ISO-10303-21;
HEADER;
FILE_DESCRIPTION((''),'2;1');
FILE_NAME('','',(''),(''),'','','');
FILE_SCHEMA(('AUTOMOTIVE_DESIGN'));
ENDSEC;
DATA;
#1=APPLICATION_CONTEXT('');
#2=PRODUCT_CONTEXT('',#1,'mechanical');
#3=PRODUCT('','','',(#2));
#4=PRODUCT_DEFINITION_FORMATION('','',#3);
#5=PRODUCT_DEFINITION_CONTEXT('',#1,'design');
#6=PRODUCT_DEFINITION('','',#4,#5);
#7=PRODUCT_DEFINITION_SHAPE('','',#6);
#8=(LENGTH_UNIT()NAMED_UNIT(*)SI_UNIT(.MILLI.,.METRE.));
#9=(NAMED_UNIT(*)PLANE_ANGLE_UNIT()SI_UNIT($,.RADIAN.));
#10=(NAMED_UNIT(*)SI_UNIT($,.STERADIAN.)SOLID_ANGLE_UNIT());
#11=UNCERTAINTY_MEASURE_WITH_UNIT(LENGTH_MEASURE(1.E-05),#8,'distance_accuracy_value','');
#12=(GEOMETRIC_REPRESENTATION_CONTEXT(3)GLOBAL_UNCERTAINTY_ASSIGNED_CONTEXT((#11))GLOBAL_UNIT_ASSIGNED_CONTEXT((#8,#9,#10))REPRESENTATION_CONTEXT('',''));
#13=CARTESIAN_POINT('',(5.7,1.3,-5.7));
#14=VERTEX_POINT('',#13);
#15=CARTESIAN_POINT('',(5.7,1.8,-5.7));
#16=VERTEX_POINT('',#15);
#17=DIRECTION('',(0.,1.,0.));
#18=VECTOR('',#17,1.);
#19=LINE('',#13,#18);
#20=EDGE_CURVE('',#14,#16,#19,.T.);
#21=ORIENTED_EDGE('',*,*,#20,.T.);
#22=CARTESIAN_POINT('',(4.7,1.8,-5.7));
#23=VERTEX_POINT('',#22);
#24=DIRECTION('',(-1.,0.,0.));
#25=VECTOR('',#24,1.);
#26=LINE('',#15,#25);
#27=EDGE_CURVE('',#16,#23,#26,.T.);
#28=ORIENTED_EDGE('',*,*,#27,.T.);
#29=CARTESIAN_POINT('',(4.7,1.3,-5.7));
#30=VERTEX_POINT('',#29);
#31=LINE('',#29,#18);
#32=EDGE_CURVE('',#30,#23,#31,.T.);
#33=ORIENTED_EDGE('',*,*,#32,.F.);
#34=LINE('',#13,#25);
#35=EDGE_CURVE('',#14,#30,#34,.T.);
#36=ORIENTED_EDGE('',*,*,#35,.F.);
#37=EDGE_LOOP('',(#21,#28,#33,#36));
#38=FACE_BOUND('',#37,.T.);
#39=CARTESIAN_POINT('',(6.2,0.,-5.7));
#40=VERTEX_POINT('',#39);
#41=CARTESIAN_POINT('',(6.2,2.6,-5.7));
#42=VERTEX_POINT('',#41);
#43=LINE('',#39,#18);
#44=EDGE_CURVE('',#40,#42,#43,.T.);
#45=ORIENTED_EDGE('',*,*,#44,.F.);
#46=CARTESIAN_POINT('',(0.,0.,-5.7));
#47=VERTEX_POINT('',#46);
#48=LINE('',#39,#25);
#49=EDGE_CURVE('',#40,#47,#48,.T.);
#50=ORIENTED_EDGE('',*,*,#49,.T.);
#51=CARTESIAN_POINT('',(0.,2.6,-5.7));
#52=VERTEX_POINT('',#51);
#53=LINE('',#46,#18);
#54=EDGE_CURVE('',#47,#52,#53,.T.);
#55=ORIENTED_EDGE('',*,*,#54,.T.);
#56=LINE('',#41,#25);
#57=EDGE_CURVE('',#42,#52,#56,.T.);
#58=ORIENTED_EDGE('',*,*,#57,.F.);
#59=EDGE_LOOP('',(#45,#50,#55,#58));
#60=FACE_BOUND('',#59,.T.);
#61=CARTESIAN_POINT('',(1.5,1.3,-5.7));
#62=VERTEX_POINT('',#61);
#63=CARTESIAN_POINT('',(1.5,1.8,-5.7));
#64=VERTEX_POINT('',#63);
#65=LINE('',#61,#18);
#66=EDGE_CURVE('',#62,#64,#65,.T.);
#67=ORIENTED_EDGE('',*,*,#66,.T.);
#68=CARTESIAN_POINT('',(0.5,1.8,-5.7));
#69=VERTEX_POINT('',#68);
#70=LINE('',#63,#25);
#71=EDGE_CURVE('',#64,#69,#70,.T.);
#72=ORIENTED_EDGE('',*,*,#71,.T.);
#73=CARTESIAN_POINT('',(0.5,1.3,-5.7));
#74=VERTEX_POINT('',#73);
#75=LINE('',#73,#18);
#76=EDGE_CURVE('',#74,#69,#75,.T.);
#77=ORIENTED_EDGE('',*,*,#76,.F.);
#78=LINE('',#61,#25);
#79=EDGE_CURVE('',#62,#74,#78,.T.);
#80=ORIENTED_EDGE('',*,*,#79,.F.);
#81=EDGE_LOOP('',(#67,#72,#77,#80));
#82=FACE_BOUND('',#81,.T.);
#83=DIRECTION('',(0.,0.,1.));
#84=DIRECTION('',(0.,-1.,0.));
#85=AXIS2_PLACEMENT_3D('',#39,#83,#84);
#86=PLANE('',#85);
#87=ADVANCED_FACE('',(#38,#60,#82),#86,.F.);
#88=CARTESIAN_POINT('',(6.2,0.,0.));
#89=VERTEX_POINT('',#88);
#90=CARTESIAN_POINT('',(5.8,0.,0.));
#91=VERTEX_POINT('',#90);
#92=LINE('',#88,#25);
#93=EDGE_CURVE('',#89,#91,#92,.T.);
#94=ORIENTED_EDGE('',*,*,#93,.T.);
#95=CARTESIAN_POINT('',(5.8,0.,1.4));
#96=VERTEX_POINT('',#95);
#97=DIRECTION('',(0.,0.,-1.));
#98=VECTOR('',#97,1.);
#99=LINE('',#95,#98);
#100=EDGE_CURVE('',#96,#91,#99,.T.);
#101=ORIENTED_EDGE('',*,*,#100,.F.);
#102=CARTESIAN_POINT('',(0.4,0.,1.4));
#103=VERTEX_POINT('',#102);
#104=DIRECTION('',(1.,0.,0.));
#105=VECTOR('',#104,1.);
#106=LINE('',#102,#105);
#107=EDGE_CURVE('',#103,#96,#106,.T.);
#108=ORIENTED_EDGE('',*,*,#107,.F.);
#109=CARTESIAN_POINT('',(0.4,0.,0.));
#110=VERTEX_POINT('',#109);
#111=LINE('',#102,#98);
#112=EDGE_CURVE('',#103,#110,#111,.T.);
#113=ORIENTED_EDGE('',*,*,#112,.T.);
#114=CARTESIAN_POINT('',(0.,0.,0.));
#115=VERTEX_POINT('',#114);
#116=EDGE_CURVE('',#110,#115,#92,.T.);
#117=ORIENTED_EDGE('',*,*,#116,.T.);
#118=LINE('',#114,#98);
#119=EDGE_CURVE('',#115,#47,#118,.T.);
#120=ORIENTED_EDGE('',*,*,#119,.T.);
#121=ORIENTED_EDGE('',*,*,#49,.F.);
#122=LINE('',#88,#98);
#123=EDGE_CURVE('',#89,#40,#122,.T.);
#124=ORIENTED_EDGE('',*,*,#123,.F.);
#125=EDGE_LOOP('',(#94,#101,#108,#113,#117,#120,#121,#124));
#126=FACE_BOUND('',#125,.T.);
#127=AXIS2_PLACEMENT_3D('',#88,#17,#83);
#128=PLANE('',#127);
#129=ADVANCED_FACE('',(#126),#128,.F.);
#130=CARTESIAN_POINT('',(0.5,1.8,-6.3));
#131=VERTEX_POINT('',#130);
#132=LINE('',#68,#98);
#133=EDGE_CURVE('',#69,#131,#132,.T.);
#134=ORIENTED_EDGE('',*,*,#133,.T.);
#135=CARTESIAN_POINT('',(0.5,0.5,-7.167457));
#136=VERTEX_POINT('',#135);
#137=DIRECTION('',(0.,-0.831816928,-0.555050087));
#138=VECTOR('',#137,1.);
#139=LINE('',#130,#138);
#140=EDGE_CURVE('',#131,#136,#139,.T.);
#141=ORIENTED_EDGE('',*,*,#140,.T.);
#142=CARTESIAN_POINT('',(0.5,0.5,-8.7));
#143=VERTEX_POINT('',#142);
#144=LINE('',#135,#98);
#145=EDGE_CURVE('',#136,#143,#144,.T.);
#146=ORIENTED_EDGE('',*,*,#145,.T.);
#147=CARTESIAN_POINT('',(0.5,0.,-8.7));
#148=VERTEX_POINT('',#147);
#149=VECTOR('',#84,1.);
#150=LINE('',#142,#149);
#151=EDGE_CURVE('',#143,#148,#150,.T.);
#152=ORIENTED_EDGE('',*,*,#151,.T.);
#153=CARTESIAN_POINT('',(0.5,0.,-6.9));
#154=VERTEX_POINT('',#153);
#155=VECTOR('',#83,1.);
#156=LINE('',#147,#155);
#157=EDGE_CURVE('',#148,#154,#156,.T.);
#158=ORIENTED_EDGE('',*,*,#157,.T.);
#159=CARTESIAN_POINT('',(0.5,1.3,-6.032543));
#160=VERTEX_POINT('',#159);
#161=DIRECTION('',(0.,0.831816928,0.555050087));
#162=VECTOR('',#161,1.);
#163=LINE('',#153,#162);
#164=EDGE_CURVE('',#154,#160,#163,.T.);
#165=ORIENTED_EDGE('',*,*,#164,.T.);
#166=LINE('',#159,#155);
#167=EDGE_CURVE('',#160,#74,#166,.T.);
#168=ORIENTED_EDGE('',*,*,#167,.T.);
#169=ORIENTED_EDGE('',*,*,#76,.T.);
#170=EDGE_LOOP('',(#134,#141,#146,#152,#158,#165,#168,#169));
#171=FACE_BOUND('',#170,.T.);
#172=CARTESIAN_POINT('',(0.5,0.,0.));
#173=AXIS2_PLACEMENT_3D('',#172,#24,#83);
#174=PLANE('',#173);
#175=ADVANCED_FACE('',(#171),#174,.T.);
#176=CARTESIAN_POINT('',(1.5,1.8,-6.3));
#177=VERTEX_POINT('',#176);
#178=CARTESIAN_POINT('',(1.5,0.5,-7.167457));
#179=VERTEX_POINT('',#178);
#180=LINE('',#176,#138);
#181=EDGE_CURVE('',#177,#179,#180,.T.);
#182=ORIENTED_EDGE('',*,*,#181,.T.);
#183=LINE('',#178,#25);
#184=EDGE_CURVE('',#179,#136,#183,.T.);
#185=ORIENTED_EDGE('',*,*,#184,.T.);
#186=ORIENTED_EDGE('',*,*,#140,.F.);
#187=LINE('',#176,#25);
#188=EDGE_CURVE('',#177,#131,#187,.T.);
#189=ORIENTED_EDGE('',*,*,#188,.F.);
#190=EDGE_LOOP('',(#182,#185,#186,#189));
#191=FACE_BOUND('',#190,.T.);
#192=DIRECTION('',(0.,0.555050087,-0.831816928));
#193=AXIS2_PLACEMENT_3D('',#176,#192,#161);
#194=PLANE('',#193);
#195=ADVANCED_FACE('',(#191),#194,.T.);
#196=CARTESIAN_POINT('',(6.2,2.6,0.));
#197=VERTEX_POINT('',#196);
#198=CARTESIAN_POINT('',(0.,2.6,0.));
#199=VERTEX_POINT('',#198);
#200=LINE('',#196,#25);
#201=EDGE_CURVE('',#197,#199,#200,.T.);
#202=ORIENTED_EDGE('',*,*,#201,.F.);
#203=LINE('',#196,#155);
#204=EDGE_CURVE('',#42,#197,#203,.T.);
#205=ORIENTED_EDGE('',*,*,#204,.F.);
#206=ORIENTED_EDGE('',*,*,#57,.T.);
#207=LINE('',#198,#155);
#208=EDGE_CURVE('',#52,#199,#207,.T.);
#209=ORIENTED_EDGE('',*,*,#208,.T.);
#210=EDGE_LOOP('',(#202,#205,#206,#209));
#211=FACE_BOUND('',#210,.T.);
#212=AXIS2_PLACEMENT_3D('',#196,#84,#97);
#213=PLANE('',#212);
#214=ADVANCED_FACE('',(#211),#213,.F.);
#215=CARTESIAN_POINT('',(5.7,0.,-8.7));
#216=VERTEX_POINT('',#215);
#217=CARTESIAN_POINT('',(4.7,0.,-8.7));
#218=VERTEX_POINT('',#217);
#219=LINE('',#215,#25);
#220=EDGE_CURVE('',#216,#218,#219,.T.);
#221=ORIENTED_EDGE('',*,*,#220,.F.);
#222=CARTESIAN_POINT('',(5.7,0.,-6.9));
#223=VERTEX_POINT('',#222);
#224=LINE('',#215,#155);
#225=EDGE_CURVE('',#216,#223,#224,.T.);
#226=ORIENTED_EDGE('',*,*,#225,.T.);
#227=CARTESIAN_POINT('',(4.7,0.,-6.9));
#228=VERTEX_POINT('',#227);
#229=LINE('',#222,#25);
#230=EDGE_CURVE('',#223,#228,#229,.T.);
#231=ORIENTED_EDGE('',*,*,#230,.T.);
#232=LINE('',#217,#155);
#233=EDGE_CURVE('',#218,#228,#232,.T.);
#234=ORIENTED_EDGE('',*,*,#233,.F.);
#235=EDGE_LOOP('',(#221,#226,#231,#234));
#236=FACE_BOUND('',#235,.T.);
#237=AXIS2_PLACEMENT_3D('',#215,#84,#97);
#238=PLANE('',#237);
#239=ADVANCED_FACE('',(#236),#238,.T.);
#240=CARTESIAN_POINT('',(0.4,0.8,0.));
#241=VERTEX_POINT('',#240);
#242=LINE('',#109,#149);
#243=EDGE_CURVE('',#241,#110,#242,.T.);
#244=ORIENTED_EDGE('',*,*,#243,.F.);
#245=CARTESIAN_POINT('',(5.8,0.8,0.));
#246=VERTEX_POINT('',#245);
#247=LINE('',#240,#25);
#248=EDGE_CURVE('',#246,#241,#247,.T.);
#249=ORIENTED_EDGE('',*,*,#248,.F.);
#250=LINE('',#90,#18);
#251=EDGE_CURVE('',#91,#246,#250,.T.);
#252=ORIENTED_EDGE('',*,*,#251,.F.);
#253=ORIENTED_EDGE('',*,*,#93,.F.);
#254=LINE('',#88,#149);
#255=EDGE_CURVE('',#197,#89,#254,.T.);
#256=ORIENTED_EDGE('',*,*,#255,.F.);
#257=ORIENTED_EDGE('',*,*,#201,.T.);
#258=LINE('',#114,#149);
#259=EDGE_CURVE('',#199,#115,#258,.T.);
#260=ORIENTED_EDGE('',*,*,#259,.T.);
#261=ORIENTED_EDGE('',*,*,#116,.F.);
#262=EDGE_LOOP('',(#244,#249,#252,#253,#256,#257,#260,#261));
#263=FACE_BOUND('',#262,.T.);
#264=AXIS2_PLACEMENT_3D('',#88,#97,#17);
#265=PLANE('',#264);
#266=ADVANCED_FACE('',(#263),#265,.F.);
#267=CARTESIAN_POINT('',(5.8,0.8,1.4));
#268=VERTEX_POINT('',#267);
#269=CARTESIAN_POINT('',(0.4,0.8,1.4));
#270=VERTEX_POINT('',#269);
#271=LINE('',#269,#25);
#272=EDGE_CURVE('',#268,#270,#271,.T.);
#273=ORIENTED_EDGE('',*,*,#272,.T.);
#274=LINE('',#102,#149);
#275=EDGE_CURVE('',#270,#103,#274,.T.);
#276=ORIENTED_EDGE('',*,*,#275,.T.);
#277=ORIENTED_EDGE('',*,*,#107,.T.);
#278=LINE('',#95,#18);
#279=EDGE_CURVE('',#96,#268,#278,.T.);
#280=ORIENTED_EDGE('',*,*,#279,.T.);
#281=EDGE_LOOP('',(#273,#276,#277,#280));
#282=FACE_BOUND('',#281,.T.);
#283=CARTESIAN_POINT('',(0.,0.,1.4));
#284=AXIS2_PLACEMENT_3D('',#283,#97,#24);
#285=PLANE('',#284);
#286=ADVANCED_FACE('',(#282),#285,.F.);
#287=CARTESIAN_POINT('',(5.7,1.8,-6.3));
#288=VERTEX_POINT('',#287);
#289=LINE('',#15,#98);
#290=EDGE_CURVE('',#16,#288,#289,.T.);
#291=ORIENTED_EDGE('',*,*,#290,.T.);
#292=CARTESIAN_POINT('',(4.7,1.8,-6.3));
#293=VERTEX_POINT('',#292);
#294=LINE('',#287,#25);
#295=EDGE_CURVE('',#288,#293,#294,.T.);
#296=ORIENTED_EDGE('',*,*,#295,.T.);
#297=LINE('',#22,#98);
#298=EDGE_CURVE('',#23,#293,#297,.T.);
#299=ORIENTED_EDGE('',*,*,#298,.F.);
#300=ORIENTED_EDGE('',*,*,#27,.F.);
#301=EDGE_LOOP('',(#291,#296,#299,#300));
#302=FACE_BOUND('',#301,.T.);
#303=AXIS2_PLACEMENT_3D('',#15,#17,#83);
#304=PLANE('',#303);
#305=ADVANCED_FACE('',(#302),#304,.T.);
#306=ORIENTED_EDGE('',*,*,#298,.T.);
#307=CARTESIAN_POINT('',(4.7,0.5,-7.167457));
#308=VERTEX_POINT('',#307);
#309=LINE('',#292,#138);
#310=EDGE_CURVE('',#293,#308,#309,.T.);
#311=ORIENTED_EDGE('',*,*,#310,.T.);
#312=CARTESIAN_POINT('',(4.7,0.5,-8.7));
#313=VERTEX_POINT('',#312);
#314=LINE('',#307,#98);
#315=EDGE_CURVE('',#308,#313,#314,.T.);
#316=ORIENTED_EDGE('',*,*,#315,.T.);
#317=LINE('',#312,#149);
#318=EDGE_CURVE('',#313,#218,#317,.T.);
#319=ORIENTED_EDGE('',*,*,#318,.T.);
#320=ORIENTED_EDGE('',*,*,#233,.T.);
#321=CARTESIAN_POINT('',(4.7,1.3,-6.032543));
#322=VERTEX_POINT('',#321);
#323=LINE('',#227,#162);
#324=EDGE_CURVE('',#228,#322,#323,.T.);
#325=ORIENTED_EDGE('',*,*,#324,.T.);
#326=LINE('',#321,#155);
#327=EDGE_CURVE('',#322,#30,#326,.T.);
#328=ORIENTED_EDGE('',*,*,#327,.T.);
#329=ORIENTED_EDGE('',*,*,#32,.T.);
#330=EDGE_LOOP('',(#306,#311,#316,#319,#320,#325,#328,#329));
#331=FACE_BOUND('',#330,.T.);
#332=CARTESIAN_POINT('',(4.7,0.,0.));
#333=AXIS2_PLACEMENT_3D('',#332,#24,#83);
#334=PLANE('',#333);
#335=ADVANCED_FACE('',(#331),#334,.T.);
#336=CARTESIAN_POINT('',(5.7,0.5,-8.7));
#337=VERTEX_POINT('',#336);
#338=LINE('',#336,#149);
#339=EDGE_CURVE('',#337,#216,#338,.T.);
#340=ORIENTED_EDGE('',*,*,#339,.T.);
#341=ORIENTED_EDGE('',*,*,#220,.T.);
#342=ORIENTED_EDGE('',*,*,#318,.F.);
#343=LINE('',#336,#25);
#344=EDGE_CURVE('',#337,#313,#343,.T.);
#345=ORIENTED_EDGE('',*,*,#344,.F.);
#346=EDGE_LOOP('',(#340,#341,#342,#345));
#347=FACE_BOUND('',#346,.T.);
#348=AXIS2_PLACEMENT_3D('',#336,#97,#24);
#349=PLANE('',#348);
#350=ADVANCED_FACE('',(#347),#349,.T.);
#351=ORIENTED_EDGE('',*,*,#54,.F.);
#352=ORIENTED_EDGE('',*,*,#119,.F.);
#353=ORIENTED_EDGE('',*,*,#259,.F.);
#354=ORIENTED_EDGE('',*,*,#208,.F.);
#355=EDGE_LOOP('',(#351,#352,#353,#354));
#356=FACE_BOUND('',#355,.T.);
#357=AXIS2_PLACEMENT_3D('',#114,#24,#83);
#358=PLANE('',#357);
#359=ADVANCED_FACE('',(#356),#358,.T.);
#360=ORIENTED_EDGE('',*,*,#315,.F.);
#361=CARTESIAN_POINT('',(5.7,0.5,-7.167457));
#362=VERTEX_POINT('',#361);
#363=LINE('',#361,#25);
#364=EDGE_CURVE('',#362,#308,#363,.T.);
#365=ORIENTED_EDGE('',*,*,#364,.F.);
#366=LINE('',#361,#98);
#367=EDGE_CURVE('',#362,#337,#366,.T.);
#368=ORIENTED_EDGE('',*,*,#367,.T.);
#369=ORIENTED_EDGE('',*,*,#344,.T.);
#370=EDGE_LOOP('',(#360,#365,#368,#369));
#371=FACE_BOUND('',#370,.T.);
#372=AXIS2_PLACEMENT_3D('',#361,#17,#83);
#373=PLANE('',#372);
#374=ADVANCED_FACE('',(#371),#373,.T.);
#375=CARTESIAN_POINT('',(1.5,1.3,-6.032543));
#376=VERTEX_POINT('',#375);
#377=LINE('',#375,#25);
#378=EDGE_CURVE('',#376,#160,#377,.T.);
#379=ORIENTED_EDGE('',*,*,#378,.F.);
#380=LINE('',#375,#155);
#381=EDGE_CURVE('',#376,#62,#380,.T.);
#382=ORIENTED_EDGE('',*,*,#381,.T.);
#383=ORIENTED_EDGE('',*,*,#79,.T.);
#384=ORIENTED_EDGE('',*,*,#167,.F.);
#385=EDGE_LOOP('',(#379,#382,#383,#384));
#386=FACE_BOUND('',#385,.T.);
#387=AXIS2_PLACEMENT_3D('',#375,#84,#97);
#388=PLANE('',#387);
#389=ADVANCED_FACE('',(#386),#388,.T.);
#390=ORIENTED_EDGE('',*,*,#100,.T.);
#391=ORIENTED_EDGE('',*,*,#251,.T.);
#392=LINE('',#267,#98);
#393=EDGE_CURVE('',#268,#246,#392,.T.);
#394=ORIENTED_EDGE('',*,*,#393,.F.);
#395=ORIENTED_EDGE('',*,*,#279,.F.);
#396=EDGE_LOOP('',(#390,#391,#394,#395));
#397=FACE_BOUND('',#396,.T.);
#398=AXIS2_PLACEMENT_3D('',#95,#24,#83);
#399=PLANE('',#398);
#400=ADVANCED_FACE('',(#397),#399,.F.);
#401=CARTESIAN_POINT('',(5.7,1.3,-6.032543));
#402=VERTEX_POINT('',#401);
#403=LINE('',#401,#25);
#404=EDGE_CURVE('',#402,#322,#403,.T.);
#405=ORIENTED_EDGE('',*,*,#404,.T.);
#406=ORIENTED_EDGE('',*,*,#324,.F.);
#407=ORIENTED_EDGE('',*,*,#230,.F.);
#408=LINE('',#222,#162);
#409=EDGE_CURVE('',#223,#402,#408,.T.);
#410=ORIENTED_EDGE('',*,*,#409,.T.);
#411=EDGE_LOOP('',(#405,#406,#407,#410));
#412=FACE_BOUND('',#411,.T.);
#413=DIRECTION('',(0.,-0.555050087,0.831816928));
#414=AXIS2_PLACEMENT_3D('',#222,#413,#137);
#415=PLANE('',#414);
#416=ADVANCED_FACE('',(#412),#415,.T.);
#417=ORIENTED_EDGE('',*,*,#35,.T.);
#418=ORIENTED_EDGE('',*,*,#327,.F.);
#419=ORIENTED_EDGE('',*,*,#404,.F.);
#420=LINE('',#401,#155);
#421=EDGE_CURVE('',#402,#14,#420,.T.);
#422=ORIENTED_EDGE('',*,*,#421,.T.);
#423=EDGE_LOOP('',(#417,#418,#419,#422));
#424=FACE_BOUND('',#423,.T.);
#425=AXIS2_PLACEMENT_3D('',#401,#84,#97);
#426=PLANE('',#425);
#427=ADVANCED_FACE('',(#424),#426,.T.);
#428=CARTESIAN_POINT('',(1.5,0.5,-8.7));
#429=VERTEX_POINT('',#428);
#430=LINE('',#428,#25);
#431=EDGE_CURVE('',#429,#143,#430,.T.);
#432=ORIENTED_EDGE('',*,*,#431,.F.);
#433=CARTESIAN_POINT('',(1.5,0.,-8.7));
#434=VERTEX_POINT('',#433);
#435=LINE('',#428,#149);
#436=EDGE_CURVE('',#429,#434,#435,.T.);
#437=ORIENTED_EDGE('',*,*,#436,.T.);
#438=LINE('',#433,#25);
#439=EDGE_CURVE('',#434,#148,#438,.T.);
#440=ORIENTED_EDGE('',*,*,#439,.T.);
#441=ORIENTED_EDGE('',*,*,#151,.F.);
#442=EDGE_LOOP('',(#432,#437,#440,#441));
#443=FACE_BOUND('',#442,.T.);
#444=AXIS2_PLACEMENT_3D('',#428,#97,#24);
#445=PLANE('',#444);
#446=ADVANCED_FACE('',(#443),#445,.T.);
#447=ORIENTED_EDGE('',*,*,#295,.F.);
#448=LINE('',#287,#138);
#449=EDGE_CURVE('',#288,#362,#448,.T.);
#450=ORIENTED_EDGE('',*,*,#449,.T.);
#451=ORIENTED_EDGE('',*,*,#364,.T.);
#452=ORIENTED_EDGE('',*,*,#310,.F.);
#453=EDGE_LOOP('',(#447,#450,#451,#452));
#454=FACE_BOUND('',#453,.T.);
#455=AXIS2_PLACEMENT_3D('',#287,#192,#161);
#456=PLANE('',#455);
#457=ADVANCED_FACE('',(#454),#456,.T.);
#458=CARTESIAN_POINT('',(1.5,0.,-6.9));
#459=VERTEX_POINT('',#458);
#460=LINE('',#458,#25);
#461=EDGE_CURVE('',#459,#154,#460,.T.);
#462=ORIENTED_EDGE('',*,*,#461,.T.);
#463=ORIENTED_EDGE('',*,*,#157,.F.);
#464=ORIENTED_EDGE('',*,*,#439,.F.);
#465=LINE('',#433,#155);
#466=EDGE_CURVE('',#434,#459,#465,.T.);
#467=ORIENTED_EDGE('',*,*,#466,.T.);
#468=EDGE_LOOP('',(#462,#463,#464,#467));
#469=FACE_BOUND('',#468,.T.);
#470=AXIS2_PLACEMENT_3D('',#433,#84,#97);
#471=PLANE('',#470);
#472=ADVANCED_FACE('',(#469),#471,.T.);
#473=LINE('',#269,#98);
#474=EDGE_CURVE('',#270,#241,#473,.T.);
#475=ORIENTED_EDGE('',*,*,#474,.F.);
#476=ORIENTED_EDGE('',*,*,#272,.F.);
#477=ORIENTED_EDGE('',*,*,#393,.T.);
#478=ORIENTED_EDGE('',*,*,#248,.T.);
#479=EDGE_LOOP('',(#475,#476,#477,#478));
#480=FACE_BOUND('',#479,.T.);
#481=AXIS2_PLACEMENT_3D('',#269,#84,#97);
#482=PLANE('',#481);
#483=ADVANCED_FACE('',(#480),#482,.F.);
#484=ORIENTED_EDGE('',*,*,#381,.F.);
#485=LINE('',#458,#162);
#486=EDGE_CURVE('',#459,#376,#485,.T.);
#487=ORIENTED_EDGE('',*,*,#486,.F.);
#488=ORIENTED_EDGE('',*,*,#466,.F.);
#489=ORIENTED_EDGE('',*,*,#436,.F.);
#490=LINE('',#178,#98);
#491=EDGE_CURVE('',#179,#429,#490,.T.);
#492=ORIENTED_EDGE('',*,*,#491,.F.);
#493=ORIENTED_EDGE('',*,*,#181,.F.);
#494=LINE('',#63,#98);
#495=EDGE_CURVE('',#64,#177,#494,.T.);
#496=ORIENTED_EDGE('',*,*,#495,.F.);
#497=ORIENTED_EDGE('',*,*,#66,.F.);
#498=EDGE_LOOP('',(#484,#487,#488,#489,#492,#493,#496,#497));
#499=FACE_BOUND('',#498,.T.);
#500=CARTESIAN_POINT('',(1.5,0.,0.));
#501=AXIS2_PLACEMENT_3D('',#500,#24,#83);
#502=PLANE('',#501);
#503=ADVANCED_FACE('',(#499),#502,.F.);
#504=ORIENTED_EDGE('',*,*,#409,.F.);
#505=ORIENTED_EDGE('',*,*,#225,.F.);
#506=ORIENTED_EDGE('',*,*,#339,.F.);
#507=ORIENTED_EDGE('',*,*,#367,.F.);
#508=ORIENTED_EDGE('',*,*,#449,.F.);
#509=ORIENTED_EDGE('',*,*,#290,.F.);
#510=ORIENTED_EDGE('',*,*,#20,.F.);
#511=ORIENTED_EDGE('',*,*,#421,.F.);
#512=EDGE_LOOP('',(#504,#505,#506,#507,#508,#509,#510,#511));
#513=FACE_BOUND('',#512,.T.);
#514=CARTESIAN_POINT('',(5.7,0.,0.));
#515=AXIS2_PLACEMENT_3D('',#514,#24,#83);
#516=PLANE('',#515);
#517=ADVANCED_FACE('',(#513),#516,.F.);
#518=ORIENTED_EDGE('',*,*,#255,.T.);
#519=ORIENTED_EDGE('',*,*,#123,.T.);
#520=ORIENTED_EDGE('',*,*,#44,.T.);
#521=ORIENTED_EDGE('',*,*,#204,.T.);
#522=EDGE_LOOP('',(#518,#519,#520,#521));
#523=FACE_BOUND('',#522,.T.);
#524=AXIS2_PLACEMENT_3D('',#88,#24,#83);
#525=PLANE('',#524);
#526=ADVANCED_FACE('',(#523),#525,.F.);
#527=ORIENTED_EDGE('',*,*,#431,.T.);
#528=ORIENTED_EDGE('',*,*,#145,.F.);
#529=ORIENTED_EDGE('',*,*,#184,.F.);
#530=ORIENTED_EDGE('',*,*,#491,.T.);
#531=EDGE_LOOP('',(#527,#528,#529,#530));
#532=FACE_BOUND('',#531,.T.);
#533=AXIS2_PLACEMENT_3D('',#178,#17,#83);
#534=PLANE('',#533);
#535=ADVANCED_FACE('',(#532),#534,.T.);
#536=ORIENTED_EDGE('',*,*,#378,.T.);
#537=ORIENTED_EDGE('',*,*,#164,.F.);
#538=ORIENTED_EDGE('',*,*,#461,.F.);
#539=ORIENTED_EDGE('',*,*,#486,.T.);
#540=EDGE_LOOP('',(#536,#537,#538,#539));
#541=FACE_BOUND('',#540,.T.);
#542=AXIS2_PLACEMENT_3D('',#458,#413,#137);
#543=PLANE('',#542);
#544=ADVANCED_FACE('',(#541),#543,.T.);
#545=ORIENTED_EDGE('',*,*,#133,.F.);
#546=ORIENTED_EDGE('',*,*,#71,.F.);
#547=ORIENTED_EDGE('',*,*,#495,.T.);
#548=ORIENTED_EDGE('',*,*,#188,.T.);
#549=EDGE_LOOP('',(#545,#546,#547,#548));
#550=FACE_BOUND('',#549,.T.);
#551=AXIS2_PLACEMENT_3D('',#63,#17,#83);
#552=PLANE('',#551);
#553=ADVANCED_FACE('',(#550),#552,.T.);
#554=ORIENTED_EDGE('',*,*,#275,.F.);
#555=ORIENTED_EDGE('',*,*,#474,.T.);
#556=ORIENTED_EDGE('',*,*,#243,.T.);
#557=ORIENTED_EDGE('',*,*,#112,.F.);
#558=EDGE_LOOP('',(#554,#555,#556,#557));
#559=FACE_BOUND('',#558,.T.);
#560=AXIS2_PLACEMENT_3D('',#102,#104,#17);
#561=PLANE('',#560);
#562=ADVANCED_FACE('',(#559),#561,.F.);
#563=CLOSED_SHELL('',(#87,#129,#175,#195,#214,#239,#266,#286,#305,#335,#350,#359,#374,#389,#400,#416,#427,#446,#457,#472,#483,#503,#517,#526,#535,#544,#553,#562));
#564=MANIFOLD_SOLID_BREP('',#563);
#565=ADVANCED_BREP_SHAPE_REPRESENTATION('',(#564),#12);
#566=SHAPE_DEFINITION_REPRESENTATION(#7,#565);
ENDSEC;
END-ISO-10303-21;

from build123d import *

# Parameters (mm, degrees)
CROQUIS1_W              = 5.7
CROQUIS1_H              = 2.6
SALIENTE_EXTRUIR1_DEPTH = 6.2
CROQUIS2_W              = 5.4
CROQUIS2_H              = 0.8
SALIENTE_EXTRUIR2_DEPTH = 1.4
SALIENTE_EXTRUIR3_DEPTH = 1
MATRIZL1_COUNT          = 2
MATRIZL1_PITCH          = 4.2


with BuildPart() as part:
    # Croquis1 → Saliente-Extruir1 (new body)
    with BuildSketch(Plane(origin=(0, 0, 0), x_dir=(0, 0, -1), z_dir=(1, 0, 0))):
        with Locations((2.85, 1.3)):
            Rectangle(CROQUIS1_W, CROQUIS1_H)
    extrude(amount=SALIENTE_EXTRUIR1_DEPTH)

    # Croquis2 → Saliente-Extruir2 (add)
    with BuildSketch(Plane.XY):
        with Locations((3.1, 0.4)):
            Rectangle(CROQUIS2_W, CROQUIS2_H)
    extrude(amount=SALIENTE_EXTRUIR2_DEPTH)

    # Croquis3 → Saliente-Extruir3 (add)
    with BuildSketch(Plane.ZY.offset(-0.5)):
        Polygon((-5.7, 1.8), (-6.3, 1.8), (-7.167456635, 0.5), (-8.7, 0.5), (-8.7, 0), (-6.9, 0), (-6.032543365, 1.3), (-5.7, 1.3), align=None)
    saliente_extruir3 = extrude(amount=-SALIENTE_EXTRUIR3_DEPTH)

    # MatrizL1: Saliente-Extruir3 ×2
    with Locations(*[(i * MATRIZL1_PITCH, 0, 0) for i in range(1, MATRIZL1_COUNT)]):
        add(saliente_extruir3)


solid = part.part
